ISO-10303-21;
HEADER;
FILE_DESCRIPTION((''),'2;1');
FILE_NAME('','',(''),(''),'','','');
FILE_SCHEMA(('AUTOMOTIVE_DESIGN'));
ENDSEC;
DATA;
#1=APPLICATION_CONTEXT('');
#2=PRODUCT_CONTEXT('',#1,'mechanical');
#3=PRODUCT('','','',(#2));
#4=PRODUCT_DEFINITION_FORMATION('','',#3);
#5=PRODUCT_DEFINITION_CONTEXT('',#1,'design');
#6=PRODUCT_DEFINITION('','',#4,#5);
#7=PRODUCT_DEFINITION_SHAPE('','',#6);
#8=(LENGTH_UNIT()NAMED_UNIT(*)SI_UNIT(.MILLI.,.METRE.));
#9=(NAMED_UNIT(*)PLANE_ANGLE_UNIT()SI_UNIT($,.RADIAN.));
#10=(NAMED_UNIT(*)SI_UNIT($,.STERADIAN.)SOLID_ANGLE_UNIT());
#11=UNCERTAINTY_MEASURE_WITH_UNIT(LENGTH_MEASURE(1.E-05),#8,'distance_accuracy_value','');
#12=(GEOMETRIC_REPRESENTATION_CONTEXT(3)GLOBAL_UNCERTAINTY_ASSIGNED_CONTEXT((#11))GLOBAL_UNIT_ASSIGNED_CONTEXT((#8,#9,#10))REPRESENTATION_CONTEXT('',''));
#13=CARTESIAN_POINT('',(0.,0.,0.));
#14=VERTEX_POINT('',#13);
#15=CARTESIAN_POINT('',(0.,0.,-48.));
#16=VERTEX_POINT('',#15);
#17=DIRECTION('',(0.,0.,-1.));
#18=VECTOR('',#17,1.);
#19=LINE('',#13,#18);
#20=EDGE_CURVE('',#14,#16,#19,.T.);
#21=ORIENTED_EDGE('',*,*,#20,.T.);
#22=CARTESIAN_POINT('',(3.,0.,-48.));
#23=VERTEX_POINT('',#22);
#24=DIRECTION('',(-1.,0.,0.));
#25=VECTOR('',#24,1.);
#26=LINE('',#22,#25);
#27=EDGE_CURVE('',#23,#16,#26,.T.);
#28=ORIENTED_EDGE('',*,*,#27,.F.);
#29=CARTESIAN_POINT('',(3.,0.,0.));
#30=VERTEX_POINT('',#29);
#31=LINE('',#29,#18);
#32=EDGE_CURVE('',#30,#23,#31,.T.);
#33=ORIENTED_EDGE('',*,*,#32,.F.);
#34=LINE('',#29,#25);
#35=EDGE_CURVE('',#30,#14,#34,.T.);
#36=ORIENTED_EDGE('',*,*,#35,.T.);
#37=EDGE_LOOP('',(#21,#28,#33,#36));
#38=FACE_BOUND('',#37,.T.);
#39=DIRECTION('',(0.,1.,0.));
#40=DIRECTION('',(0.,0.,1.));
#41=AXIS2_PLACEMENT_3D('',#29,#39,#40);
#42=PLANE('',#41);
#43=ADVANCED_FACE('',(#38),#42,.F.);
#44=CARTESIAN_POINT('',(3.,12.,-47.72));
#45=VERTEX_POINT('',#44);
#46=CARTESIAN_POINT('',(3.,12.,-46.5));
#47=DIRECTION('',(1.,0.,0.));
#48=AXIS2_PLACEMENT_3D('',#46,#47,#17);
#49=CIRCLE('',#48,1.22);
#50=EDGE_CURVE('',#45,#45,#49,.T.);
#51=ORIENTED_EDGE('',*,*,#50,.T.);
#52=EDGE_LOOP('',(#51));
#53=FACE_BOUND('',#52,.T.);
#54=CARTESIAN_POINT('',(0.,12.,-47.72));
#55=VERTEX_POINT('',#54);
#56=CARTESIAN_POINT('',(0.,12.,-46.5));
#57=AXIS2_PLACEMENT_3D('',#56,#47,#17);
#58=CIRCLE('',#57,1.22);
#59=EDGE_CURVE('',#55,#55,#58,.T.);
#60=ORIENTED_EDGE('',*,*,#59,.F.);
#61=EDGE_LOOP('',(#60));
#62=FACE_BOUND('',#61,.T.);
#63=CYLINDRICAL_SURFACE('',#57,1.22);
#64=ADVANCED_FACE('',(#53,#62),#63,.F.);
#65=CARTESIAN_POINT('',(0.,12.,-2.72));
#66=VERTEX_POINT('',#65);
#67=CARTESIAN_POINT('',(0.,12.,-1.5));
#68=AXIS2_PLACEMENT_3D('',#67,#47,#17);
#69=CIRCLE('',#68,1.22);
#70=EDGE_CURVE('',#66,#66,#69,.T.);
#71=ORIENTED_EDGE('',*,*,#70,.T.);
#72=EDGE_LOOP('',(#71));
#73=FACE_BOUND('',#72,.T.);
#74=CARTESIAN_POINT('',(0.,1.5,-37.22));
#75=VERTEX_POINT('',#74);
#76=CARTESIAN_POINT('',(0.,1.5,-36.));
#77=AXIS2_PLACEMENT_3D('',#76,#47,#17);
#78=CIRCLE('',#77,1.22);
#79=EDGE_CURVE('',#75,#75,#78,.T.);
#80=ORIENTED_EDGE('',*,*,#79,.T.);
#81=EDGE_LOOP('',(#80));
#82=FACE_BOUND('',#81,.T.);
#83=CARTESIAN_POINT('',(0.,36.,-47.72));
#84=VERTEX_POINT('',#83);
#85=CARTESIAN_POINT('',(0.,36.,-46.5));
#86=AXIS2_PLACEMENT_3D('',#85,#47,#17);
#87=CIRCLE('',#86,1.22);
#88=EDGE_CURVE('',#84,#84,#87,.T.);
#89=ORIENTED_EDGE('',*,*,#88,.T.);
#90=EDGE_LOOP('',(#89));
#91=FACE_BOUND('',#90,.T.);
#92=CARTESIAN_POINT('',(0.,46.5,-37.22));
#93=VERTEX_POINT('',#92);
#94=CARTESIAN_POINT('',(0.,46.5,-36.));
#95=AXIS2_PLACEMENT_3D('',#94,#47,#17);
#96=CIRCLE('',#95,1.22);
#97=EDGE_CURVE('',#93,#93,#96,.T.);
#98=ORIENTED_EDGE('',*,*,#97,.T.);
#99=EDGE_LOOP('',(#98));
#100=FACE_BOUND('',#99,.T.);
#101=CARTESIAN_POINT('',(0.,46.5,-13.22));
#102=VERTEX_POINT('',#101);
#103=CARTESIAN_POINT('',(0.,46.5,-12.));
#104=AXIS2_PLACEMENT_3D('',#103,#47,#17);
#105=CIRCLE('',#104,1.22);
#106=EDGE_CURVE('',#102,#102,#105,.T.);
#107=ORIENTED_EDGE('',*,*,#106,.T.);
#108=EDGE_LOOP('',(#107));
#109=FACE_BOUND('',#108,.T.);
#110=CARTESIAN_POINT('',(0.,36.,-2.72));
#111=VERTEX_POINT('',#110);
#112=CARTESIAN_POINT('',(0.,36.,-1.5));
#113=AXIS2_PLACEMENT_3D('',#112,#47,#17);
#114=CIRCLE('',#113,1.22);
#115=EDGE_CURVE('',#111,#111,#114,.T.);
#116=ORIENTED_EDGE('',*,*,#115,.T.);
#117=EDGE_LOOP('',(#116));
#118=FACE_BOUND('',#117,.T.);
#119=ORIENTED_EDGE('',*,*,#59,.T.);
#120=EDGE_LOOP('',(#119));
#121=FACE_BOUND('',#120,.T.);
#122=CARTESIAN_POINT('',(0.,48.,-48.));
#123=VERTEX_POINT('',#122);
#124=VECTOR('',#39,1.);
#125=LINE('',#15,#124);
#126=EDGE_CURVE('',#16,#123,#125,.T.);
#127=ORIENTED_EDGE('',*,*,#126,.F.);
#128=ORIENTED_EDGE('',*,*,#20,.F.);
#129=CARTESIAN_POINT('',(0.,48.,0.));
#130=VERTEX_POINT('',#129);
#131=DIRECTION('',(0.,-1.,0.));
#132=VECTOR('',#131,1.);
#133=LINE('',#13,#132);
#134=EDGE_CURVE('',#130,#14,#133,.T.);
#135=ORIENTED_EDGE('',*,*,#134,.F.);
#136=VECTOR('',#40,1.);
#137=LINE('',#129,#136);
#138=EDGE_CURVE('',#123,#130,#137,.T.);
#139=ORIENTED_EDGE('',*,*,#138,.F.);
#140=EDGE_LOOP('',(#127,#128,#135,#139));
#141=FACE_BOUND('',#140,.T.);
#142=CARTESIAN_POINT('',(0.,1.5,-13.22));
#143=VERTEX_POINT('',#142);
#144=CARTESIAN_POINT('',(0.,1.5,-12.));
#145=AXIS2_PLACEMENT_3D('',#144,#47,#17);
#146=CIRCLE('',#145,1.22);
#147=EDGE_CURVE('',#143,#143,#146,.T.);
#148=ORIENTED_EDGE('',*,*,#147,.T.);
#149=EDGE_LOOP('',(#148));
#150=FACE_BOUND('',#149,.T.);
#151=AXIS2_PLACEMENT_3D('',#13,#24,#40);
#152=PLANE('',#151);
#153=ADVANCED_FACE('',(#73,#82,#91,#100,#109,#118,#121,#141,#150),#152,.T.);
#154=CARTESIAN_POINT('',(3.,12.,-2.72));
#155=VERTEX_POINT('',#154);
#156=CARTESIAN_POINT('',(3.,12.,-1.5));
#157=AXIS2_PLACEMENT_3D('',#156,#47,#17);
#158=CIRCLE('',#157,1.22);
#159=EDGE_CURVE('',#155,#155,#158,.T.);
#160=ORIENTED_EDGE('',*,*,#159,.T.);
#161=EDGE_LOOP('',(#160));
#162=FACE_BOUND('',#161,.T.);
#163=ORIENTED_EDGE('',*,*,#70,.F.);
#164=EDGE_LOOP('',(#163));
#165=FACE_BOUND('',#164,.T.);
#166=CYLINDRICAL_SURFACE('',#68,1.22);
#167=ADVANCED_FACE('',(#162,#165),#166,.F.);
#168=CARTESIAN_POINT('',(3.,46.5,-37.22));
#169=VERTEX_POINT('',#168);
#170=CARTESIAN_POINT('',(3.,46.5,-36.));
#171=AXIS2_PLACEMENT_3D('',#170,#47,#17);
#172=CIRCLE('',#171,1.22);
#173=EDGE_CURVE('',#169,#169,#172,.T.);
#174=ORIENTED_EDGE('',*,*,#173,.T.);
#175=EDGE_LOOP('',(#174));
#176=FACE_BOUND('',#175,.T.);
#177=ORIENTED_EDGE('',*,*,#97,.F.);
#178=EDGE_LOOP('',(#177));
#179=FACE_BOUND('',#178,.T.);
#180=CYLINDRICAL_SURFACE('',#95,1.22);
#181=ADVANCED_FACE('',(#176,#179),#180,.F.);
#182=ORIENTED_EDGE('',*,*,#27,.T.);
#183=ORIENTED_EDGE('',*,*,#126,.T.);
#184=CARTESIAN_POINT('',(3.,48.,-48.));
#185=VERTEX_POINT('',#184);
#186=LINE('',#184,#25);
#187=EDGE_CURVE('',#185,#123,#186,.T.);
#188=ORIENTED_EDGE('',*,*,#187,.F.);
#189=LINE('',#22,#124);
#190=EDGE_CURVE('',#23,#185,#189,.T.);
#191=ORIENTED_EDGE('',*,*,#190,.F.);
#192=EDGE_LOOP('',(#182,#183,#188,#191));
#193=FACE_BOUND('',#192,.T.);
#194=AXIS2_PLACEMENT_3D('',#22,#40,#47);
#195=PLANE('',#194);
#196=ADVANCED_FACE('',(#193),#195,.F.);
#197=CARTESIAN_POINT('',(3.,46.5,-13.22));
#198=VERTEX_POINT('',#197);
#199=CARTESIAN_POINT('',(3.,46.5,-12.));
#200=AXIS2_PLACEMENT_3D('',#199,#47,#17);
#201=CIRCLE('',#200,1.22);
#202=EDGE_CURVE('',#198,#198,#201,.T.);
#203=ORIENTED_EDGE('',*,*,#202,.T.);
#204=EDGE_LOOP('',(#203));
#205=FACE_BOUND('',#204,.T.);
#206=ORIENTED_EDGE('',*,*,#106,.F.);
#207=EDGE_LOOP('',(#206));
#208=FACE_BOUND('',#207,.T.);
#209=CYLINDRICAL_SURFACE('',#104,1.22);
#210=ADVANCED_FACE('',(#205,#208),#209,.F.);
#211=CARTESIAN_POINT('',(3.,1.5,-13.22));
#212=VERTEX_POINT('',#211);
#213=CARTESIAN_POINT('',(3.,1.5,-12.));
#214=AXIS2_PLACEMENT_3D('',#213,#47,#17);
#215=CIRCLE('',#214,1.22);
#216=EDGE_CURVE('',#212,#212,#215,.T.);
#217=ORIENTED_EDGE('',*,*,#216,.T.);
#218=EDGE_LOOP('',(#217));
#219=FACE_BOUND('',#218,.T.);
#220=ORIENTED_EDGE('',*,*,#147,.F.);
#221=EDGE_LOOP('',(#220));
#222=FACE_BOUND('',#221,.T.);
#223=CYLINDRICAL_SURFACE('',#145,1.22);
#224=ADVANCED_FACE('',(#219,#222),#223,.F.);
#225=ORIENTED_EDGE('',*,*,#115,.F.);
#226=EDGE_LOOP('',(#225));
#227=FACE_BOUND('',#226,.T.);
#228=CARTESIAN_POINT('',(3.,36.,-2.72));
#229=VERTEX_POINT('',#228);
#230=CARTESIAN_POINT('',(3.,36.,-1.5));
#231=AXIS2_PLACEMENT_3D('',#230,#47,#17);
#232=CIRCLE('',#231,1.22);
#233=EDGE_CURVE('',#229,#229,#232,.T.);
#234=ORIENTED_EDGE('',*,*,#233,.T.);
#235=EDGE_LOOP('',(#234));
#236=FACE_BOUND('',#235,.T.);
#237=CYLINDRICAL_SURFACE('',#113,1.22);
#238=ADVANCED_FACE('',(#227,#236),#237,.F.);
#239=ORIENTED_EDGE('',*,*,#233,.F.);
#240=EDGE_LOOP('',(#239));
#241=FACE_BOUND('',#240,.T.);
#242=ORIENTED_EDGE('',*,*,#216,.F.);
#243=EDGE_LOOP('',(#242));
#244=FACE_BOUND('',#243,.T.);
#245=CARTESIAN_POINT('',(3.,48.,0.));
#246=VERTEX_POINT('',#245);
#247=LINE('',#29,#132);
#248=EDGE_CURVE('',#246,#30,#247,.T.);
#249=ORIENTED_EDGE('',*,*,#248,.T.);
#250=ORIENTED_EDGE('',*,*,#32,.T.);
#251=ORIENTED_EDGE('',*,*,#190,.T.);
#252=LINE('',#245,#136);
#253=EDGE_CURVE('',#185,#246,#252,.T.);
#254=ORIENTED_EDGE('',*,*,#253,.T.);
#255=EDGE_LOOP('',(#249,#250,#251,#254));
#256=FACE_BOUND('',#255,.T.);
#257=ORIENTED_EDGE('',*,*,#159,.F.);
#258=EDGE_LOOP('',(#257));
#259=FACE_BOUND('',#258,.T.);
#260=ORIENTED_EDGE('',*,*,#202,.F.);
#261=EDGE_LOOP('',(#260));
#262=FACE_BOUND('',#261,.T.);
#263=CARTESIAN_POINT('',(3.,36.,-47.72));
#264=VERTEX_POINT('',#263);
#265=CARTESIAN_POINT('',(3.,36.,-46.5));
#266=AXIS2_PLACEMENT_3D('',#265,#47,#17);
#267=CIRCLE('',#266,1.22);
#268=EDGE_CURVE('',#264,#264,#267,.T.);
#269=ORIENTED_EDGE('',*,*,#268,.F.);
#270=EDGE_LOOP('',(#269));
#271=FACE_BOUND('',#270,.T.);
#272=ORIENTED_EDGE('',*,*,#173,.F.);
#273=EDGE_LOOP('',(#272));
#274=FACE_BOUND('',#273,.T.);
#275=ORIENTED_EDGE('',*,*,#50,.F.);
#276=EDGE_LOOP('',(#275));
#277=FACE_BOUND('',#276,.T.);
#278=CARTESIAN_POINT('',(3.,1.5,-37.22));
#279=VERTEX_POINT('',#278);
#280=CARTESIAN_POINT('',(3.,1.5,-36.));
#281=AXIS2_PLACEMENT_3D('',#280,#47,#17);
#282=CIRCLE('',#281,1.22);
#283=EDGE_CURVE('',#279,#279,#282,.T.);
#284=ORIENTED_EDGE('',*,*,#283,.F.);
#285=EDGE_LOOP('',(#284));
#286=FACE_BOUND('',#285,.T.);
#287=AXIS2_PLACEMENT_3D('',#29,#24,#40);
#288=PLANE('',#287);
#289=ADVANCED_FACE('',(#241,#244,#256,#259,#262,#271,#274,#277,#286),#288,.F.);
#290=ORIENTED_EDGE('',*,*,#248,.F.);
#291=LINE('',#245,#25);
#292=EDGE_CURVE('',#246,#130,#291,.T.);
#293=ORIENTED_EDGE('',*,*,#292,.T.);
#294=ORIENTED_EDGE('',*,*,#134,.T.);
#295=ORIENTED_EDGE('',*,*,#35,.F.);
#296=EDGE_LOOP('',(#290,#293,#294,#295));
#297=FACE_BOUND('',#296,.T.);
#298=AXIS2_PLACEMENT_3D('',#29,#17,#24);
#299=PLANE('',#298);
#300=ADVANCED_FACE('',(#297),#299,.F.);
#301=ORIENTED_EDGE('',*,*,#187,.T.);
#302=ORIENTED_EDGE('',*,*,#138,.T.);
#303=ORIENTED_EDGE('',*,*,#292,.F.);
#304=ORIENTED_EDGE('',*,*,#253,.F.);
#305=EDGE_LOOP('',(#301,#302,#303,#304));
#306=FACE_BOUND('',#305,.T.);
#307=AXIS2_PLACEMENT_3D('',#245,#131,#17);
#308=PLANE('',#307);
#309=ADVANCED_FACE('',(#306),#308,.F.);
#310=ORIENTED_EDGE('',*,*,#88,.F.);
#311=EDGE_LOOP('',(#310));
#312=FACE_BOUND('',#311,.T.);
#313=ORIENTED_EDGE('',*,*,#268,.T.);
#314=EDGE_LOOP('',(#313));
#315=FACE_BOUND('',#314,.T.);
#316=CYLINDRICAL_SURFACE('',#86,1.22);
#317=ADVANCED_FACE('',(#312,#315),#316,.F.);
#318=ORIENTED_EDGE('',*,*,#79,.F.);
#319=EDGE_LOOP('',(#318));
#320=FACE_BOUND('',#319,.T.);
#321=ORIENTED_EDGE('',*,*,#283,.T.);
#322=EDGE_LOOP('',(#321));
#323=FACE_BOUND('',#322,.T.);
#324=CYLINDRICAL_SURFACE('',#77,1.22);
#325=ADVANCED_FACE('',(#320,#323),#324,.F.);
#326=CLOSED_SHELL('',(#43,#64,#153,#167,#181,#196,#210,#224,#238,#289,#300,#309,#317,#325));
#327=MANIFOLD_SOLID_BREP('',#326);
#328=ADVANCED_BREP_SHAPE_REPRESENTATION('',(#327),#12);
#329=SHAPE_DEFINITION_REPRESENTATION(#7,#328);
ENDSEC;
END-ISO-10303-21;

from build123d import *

# Parameters (mm, degrees)
SKETCH1_W           = 48
SKETCH1_H           = 48
BOSS_EXTRUDE1_DEPTH = 3
SKETCH11_R          = 1.22
CUT_EXTRUDE1_DEPTH  = 3


with BuildPart() as part:
    # Sketch1 → Boss-Extrude1 (new body)
    with BuildSketch(Plane(origin=(0, 0, 0), x_dir=(0, 0, -1), z_dir=(1, 0, 0))):
        with Locations((24, 24)):
            Rectangle(SKETCH1_W, SKETCH1_H)
    extrude(amount=BOSS_EXTRUDE1_DEPTH)

    # Sketch11 → Cut-Extrude1 (cut)
    with BuildSketch(Plane(origin=(3, 0, 0), x_dir=(0, 0, -1), z_dir=(1, 0, 0))):
        with Locations((12, 46.5)):
            Circle(SKETCH11_R)
        with Locations((36, 46.5)):
            Circle(SKETCH11_R)
        with Locations((12, 1.5)):
            Circle(SKETCH11_R)
        with Locations((36, 1.5)):
            Circle(SKETCH11_R)
        with Locations((1.5, 36)):
            Circle(SKETCH11_R)
        with Locations((1.5, 12)):
            Circle(SKETCH11_R)
        with Locations((46.5, 36)):
            Circle(SKETCH11_R)
        with Locations((46.5, 12)):
            Circle(SKETCH11_R)
    extrude(amount=-CUT_EXTRUDE1_DEPTH, mode=Mode.SUBTRACT)


solid = part.part
